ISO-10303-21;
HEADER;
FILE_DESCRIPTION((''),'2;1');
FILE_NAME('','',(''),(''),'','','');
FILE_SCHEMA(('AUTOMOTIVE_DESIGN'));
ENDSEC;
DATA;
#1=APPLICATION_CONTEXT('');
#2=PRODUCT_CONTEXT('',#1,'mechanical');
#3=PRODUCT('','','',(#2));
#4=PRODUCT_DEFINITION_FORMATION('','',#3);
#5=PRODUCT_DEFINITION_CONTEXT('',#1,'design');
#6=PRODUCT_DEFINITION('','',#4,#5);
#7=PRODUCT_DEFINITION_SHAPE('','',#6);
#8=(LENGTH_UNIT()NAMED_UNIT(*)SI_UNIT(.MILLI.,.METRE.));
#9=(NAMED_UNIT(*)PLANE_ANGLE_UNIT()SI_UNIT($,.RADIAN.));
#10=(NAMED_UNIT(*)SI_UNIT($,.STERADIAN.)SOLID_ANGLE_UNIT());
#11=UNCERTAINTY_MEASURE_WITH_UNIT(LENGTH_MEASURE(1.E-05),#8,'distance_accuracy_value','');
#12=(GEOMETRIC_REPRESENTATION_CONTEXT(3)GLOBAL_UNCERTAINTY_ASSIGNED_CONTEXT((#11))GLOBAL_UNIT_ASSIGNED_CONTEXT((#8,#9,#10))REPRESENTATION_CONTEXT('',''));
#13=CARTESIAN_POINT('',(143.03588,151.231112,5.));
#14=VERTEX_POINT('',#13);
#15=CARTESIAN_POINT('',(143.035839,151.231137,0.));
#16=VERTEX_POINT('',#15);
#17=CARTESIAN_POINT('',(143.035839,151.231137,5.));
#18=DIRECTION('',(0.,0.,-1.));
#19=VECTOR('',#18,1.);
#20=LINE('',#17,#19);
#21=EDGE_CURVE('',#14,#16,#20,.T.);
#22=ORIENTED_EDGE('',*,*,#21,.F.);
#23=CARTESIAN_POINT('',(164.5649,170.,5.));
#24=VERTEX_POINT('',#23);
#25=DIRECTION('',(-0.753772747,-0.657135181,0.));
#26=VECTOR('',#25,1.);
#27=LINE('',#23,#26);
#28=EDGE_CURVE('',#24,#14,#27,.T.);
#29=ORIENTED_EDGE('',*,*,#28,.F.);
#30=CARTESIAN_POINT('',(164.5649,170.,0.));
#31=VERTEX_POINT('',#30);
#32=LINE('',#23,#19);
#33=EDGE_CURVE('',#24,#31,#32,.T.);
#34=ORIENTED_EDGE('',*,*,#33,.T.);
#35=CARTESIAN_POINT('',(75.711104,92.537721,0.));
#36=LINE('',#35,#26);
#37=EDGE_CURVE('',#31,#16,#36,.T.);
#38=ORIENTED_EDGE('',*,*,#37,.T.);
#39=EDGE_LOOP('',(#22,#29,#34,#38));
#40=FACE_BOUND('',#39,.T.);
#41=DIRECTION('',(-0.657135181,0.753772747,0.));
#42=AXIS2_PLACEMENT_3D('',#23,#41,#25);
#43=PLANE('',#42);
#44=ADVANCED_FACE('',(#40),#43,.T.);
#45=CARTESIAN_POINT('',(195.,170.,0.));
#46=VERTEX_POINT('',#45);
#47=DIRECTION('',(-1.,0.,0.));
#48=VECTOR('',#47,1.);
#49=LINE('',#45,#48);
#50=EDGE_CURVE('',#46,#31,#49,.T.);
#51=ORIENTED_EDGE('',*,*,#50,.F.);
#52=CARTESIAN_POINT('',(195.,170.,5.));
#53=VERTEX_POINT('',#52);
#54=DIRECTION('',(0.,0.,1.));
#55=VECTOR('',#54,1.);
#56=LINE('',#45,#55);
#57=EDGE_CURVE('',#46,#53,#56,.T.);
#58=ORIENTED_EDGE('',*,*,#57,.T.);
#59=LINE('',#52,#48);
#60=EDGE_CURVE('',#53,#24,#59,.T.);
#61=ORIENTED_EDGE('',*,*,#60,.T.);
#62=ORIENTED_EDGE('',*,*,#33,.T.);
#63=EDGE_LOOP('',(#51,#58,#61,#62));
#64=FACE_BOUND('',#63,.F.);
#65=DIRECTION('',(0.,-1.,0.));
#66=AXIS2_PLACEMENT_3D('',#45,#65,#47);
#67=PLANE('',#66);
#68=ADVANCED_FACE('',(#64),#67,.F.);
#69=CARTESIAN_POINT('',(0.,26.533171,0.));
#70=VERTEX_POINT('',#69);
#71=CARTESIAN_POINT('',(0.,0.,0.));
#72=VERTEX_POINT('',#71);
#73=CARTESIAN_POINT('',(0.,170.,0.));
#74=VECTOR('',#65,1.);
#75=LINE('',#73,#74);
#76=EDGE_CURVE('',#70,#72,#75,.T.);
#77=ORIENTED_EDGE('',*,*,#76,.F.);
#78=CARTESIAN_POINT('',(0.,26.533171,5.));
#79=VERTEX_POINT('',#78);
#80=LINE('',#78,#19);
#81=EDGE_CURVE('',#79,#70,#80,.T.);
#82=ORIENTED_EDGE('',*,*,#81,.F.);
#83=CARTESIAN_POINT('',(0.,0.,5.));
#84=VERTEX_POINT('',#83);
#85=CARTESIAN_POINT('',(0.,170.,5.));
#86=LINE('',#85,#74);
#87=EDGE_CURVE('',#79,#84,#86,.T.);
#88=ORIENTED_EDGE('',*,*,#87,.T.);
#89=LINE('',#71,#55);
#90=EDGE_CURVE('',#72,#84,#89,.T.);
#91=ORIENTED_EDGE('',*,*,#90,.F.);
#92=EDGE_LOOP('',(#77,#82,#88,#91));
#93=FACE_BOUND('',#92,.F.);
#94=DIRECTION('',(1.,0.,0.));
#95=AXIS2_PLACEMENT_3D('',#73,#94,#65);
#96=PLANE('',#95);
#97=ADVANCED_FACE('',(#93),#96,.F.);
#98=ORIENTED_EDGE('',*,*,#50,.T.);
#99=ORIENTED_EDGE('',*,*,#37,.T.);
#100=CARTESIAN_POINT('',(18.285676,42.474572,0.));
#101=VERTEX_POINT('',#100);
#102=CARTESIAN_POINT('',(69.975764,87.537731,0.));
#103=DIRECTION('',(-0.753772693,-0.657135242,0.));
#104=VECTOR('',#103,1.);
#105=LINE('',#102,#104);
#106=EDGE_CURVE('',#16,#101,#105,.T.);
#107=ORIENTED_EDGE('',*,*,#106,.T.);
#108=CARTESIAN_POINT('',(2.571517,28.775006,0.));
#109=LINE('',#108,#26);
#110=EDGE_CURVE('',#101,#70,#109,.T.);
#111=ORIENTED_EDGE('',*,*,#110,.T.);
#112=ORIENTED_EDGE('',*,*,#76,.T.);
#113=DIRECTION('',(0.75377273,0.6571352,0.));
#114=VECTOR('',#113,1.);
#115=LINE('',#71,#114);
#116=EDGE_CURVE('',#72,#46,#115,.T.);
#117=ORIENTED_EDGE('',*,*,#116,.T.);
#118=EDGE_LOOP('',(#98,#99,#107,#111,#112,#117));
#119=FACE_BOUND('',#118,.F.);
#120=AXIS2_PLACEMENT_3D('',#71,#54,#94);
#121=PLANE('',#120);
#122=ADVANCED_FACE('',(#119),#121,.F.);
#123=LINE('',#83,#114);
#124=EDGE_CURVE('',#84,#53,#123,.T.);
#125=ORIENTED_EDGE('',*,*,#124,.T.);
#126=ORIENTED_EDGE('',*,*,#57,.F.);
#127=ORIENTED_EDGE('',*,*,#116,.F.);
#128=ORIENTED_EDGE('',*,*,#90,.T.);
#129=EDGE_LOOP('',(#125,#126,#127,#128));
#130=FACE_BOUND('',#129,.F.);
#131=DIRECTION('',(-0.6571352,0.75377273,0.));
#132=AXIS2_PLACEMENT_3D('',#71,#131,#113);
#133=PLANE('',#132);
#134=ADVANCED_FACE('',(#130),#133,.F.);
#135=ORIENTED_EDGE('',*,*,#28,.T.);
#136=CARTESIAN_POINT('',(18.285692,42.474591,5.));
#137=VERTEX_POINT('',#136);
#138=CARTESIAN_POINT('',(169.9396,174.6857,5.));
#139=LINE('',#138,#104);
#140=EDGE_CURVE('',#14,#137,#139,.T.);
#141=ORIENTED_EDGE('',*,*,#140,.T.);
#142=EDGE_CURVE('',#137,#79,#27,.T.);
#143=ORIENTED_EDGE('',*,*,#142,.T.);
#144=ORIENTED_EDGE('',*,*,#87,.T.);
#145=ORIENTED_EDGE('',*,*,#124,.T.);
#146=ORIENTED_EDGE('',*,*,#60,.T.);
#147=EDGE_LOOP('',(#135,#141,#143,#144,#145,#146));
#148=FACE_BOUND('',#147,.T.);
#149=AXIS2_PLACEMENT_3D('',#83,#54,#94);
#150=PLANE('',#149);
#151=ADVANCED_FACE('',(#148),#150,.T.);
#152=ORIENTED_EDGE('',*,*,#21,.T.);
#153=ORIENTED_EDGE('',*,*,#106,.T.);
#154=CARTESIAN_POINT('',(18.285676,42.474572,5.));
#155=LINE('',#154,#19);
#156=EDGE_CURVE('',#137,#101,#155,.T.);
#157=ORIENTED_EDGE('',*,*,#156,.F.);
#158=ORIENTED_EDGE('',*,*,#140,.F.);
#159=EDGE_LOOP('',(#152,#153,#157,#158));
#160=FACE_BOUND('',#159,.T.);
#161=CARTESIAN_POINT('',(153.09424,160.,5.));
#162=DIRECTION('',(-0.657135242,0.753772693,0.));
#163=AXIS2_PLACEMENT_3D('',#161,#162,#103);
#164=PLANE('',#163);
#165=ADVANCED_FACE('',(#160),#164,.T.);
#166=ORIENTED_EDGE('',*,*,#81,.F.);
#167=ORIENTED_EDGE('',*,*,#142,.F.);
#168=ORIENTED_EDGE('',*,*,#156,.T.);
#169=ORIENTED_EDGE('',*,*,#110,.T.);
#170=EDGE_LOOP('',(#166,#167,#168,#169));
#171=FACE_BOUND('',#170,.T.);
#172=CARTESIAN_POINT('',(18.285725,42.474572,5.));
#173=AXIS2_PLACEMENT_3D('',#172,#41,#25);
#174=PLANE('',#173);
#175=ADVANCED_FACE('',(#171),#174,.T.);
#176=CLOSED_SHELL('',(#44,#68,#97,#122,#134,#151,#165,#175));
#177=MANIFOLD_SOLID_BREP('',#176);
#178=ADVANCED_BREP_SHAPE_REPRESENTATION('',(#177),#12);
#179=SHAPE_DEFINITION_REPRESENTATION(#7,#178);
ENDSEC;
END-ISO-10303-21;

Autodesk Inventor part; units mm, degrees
ref_plane "YZ Plane" through (0, 0, 0) normal (1, 0, 0) x (0, 1, 0)
ref_plane "XZ Plane" through (0, 0, 0) normal (0, 1, 0) x (-1, 0, 0)
ref_plane "XY Plane" through (0, 0, 0) normal (0, 0, 1) x (1, 0, 0)
sketch "スケッチ1" plane through (0, 0, 0) normal (0, 0, 1) x (1, 0, 0)
  line L0 (0, 0) -> (195, 0)
  line L1 (195, 0) -> (195, 170)
  line L2 (195, 170) -> (0, 170)
  line L3 (0, 170) -> (0, 0)
  line L4 (0, 0) -> (195, 170)
  dimension "d0" = 195
  dimension "d1" = 170
extrude "押し出し1" add sketch "スケッチ1" along normal blind 5 contours L3 L2 L4
sketch "スケッチ13" plane through (0, 0, 5) normal (0, 0, 1) x (1, 0, 0)
  line L0 (0, 0) -> (195, 170) projected
  line L1 (0, 0) -> (195, 170)
  line L2 (0, 0) -> (195, 170) projected
  line L3 (195, 170) -> (0, 170) projected
  line L4 (0, 170) -> (0, 0) projected
  line L5 (169.9396, 174.6857) -> (-13.756, 14.5408)
  line L6 (10, 160) -> (168.3118, 160)
  line L7 (168.3118, 160) -> (10, 21.9845)
  line L8 (10, 21.9845) -> (10, 160)
  point P0 (0, 26.5332)
  point P1 (164.5649, 170)
  point P2 (10, 35.2511)
  point P3 (153.0943, 160)
  dimension "d75" = 20
  dimension "d78" = 10
extrude "押し出し11" cut sketch "スケッチ13" against normal blind 10 contours L8 L6 L5
fillet "フィレット7" radius 5 3 edges at (10, 160, 2.5) (10, 35.2511, 2.5) (153.0943, 160, 2.5)
sketch "スケッチ14" plane through (0, 0, 5) normal (0, 0, 1) x (1, 0, 0)
  line L0 (15, 160) -> (139.7502, 160) projected
  arc A0 (143.0359, 151.2311) -> (139.7502, 160) centre (139.7502, 155) ccw projected
  line L1 (143.0359, 151.2311) -> (18.2857, 42.4746) projected
  arc A1 (10, 46.2434) -> (18.2857, 42.4746) centre (15, 46.2434) ccw projected
  line L2 (10, 46.2434) -> (10, 155) projected
  arc A2 (15, 160) -> (10, 155) centre (15, 155) ccw projected
  line L3 (0, 0) -> (195, 170) projected
  line L4 (195, 170) -> (0, 170) projected
  line L5 (0, 170) -> (0, 0) projected
  line L6 (164.5649, 170) -> (-7.7035, 19.8173)
  point P0 (143.0359, 151.2311)
  point P1 (0, 26.5332)
  point P2 (18.2857, 42.4746)
  dimension "d80" = 20
extrude "押し出し12" cut sketch "スケッチ14" against normal blind 10 contours A2 L2 A1 L6 L5 L4 A0 L0
properties part number "RP_Waist-Diagonal-material" material "A5052"
